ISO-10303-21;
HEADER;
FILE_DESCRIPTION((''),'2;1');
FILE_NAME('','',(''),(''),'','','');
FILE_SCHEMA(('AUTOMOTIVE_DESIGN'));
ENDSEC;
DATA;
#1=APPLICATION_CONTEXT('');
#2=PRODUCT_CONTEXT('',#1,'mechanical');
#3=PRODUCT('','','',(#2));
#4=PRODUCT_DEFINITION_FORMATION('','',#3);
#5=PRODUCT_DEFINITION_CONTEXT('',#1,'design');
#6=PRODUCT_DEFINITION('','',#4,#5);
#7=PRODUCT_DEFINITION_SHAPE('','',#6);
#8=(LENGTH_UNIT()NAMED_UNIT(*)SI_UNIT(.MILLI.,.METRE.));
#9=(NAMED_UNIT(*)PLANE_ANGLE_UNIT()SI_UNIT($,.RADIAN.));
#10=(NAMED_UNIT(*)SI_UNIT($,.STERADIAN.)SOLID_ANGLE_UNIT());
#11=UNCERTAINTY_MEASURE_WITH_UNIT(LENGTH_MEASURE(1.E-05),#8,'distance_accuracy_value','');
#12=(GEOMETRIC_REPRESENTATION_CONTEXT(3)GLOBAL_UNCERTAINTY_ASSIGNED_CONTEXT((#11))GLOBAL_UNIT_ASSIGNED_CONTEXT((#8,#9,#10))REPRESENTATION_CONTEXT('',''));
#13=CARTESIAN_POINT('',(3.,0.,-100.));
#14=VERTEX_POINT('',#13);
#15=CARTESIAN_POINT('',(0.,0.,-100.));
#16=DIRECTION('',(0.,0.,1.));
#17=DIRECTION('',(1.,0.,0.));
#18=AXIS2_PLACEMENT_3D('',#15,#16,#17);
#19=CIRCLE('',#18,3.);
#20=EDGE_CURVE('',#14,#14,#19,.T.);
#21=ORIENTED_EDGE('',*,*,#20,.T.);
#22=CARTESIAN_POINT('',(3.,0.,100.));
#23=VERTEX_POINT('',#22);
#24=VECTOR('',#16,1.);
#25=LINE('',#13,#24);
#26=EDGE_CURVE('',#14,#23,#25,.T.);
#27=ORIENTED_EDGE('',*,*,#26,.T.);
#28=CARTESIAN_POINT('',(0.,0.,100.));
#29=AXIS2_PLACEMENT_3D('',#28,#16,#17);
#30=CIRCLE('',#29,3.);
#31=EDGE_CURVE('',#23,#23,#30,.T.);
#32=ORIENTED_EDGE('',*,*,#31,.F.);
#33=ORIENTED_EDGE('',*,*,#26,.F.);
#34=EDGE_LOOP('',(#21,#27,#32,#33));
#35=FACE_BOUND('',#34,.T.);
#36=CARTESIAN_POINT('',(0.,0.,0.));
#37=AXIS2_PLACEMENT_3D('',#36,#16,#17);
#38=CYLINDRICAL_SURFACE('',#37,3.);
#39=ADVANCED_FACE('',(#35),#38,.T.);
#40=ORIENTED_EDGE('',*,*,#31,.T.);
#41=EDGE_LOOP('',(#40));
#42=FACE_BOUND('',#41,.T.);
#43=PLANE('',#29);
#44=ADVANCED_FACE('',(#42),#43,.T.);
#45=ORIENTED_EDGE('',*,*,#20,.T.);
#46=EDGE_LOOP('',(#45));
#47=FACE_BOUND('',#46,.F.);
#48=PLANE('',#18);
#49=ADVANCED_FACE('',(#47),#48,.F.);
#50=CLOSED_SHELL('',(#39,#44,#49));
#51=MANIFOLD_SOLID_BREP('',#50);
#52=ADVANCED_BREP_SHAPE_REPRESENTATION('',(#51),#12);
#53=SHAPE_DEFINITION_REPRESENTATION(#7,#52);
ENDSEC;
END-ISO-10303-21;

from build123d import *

# Parameters (mm, degrees)
SKETCH1_R           = 3
BOSS_EXTRUDE1_DEPTH = 100


with BuildPart() as part:
    # Sketch1 → Boss-Extrude1 (new body, symmetric)
    with BuildSketch(Plane.XY):
        Circle(SKETCH1_R)
    extrude(amount=BOSS_EXTRUDE1_DEPTH, both=True)


solid = part.part
